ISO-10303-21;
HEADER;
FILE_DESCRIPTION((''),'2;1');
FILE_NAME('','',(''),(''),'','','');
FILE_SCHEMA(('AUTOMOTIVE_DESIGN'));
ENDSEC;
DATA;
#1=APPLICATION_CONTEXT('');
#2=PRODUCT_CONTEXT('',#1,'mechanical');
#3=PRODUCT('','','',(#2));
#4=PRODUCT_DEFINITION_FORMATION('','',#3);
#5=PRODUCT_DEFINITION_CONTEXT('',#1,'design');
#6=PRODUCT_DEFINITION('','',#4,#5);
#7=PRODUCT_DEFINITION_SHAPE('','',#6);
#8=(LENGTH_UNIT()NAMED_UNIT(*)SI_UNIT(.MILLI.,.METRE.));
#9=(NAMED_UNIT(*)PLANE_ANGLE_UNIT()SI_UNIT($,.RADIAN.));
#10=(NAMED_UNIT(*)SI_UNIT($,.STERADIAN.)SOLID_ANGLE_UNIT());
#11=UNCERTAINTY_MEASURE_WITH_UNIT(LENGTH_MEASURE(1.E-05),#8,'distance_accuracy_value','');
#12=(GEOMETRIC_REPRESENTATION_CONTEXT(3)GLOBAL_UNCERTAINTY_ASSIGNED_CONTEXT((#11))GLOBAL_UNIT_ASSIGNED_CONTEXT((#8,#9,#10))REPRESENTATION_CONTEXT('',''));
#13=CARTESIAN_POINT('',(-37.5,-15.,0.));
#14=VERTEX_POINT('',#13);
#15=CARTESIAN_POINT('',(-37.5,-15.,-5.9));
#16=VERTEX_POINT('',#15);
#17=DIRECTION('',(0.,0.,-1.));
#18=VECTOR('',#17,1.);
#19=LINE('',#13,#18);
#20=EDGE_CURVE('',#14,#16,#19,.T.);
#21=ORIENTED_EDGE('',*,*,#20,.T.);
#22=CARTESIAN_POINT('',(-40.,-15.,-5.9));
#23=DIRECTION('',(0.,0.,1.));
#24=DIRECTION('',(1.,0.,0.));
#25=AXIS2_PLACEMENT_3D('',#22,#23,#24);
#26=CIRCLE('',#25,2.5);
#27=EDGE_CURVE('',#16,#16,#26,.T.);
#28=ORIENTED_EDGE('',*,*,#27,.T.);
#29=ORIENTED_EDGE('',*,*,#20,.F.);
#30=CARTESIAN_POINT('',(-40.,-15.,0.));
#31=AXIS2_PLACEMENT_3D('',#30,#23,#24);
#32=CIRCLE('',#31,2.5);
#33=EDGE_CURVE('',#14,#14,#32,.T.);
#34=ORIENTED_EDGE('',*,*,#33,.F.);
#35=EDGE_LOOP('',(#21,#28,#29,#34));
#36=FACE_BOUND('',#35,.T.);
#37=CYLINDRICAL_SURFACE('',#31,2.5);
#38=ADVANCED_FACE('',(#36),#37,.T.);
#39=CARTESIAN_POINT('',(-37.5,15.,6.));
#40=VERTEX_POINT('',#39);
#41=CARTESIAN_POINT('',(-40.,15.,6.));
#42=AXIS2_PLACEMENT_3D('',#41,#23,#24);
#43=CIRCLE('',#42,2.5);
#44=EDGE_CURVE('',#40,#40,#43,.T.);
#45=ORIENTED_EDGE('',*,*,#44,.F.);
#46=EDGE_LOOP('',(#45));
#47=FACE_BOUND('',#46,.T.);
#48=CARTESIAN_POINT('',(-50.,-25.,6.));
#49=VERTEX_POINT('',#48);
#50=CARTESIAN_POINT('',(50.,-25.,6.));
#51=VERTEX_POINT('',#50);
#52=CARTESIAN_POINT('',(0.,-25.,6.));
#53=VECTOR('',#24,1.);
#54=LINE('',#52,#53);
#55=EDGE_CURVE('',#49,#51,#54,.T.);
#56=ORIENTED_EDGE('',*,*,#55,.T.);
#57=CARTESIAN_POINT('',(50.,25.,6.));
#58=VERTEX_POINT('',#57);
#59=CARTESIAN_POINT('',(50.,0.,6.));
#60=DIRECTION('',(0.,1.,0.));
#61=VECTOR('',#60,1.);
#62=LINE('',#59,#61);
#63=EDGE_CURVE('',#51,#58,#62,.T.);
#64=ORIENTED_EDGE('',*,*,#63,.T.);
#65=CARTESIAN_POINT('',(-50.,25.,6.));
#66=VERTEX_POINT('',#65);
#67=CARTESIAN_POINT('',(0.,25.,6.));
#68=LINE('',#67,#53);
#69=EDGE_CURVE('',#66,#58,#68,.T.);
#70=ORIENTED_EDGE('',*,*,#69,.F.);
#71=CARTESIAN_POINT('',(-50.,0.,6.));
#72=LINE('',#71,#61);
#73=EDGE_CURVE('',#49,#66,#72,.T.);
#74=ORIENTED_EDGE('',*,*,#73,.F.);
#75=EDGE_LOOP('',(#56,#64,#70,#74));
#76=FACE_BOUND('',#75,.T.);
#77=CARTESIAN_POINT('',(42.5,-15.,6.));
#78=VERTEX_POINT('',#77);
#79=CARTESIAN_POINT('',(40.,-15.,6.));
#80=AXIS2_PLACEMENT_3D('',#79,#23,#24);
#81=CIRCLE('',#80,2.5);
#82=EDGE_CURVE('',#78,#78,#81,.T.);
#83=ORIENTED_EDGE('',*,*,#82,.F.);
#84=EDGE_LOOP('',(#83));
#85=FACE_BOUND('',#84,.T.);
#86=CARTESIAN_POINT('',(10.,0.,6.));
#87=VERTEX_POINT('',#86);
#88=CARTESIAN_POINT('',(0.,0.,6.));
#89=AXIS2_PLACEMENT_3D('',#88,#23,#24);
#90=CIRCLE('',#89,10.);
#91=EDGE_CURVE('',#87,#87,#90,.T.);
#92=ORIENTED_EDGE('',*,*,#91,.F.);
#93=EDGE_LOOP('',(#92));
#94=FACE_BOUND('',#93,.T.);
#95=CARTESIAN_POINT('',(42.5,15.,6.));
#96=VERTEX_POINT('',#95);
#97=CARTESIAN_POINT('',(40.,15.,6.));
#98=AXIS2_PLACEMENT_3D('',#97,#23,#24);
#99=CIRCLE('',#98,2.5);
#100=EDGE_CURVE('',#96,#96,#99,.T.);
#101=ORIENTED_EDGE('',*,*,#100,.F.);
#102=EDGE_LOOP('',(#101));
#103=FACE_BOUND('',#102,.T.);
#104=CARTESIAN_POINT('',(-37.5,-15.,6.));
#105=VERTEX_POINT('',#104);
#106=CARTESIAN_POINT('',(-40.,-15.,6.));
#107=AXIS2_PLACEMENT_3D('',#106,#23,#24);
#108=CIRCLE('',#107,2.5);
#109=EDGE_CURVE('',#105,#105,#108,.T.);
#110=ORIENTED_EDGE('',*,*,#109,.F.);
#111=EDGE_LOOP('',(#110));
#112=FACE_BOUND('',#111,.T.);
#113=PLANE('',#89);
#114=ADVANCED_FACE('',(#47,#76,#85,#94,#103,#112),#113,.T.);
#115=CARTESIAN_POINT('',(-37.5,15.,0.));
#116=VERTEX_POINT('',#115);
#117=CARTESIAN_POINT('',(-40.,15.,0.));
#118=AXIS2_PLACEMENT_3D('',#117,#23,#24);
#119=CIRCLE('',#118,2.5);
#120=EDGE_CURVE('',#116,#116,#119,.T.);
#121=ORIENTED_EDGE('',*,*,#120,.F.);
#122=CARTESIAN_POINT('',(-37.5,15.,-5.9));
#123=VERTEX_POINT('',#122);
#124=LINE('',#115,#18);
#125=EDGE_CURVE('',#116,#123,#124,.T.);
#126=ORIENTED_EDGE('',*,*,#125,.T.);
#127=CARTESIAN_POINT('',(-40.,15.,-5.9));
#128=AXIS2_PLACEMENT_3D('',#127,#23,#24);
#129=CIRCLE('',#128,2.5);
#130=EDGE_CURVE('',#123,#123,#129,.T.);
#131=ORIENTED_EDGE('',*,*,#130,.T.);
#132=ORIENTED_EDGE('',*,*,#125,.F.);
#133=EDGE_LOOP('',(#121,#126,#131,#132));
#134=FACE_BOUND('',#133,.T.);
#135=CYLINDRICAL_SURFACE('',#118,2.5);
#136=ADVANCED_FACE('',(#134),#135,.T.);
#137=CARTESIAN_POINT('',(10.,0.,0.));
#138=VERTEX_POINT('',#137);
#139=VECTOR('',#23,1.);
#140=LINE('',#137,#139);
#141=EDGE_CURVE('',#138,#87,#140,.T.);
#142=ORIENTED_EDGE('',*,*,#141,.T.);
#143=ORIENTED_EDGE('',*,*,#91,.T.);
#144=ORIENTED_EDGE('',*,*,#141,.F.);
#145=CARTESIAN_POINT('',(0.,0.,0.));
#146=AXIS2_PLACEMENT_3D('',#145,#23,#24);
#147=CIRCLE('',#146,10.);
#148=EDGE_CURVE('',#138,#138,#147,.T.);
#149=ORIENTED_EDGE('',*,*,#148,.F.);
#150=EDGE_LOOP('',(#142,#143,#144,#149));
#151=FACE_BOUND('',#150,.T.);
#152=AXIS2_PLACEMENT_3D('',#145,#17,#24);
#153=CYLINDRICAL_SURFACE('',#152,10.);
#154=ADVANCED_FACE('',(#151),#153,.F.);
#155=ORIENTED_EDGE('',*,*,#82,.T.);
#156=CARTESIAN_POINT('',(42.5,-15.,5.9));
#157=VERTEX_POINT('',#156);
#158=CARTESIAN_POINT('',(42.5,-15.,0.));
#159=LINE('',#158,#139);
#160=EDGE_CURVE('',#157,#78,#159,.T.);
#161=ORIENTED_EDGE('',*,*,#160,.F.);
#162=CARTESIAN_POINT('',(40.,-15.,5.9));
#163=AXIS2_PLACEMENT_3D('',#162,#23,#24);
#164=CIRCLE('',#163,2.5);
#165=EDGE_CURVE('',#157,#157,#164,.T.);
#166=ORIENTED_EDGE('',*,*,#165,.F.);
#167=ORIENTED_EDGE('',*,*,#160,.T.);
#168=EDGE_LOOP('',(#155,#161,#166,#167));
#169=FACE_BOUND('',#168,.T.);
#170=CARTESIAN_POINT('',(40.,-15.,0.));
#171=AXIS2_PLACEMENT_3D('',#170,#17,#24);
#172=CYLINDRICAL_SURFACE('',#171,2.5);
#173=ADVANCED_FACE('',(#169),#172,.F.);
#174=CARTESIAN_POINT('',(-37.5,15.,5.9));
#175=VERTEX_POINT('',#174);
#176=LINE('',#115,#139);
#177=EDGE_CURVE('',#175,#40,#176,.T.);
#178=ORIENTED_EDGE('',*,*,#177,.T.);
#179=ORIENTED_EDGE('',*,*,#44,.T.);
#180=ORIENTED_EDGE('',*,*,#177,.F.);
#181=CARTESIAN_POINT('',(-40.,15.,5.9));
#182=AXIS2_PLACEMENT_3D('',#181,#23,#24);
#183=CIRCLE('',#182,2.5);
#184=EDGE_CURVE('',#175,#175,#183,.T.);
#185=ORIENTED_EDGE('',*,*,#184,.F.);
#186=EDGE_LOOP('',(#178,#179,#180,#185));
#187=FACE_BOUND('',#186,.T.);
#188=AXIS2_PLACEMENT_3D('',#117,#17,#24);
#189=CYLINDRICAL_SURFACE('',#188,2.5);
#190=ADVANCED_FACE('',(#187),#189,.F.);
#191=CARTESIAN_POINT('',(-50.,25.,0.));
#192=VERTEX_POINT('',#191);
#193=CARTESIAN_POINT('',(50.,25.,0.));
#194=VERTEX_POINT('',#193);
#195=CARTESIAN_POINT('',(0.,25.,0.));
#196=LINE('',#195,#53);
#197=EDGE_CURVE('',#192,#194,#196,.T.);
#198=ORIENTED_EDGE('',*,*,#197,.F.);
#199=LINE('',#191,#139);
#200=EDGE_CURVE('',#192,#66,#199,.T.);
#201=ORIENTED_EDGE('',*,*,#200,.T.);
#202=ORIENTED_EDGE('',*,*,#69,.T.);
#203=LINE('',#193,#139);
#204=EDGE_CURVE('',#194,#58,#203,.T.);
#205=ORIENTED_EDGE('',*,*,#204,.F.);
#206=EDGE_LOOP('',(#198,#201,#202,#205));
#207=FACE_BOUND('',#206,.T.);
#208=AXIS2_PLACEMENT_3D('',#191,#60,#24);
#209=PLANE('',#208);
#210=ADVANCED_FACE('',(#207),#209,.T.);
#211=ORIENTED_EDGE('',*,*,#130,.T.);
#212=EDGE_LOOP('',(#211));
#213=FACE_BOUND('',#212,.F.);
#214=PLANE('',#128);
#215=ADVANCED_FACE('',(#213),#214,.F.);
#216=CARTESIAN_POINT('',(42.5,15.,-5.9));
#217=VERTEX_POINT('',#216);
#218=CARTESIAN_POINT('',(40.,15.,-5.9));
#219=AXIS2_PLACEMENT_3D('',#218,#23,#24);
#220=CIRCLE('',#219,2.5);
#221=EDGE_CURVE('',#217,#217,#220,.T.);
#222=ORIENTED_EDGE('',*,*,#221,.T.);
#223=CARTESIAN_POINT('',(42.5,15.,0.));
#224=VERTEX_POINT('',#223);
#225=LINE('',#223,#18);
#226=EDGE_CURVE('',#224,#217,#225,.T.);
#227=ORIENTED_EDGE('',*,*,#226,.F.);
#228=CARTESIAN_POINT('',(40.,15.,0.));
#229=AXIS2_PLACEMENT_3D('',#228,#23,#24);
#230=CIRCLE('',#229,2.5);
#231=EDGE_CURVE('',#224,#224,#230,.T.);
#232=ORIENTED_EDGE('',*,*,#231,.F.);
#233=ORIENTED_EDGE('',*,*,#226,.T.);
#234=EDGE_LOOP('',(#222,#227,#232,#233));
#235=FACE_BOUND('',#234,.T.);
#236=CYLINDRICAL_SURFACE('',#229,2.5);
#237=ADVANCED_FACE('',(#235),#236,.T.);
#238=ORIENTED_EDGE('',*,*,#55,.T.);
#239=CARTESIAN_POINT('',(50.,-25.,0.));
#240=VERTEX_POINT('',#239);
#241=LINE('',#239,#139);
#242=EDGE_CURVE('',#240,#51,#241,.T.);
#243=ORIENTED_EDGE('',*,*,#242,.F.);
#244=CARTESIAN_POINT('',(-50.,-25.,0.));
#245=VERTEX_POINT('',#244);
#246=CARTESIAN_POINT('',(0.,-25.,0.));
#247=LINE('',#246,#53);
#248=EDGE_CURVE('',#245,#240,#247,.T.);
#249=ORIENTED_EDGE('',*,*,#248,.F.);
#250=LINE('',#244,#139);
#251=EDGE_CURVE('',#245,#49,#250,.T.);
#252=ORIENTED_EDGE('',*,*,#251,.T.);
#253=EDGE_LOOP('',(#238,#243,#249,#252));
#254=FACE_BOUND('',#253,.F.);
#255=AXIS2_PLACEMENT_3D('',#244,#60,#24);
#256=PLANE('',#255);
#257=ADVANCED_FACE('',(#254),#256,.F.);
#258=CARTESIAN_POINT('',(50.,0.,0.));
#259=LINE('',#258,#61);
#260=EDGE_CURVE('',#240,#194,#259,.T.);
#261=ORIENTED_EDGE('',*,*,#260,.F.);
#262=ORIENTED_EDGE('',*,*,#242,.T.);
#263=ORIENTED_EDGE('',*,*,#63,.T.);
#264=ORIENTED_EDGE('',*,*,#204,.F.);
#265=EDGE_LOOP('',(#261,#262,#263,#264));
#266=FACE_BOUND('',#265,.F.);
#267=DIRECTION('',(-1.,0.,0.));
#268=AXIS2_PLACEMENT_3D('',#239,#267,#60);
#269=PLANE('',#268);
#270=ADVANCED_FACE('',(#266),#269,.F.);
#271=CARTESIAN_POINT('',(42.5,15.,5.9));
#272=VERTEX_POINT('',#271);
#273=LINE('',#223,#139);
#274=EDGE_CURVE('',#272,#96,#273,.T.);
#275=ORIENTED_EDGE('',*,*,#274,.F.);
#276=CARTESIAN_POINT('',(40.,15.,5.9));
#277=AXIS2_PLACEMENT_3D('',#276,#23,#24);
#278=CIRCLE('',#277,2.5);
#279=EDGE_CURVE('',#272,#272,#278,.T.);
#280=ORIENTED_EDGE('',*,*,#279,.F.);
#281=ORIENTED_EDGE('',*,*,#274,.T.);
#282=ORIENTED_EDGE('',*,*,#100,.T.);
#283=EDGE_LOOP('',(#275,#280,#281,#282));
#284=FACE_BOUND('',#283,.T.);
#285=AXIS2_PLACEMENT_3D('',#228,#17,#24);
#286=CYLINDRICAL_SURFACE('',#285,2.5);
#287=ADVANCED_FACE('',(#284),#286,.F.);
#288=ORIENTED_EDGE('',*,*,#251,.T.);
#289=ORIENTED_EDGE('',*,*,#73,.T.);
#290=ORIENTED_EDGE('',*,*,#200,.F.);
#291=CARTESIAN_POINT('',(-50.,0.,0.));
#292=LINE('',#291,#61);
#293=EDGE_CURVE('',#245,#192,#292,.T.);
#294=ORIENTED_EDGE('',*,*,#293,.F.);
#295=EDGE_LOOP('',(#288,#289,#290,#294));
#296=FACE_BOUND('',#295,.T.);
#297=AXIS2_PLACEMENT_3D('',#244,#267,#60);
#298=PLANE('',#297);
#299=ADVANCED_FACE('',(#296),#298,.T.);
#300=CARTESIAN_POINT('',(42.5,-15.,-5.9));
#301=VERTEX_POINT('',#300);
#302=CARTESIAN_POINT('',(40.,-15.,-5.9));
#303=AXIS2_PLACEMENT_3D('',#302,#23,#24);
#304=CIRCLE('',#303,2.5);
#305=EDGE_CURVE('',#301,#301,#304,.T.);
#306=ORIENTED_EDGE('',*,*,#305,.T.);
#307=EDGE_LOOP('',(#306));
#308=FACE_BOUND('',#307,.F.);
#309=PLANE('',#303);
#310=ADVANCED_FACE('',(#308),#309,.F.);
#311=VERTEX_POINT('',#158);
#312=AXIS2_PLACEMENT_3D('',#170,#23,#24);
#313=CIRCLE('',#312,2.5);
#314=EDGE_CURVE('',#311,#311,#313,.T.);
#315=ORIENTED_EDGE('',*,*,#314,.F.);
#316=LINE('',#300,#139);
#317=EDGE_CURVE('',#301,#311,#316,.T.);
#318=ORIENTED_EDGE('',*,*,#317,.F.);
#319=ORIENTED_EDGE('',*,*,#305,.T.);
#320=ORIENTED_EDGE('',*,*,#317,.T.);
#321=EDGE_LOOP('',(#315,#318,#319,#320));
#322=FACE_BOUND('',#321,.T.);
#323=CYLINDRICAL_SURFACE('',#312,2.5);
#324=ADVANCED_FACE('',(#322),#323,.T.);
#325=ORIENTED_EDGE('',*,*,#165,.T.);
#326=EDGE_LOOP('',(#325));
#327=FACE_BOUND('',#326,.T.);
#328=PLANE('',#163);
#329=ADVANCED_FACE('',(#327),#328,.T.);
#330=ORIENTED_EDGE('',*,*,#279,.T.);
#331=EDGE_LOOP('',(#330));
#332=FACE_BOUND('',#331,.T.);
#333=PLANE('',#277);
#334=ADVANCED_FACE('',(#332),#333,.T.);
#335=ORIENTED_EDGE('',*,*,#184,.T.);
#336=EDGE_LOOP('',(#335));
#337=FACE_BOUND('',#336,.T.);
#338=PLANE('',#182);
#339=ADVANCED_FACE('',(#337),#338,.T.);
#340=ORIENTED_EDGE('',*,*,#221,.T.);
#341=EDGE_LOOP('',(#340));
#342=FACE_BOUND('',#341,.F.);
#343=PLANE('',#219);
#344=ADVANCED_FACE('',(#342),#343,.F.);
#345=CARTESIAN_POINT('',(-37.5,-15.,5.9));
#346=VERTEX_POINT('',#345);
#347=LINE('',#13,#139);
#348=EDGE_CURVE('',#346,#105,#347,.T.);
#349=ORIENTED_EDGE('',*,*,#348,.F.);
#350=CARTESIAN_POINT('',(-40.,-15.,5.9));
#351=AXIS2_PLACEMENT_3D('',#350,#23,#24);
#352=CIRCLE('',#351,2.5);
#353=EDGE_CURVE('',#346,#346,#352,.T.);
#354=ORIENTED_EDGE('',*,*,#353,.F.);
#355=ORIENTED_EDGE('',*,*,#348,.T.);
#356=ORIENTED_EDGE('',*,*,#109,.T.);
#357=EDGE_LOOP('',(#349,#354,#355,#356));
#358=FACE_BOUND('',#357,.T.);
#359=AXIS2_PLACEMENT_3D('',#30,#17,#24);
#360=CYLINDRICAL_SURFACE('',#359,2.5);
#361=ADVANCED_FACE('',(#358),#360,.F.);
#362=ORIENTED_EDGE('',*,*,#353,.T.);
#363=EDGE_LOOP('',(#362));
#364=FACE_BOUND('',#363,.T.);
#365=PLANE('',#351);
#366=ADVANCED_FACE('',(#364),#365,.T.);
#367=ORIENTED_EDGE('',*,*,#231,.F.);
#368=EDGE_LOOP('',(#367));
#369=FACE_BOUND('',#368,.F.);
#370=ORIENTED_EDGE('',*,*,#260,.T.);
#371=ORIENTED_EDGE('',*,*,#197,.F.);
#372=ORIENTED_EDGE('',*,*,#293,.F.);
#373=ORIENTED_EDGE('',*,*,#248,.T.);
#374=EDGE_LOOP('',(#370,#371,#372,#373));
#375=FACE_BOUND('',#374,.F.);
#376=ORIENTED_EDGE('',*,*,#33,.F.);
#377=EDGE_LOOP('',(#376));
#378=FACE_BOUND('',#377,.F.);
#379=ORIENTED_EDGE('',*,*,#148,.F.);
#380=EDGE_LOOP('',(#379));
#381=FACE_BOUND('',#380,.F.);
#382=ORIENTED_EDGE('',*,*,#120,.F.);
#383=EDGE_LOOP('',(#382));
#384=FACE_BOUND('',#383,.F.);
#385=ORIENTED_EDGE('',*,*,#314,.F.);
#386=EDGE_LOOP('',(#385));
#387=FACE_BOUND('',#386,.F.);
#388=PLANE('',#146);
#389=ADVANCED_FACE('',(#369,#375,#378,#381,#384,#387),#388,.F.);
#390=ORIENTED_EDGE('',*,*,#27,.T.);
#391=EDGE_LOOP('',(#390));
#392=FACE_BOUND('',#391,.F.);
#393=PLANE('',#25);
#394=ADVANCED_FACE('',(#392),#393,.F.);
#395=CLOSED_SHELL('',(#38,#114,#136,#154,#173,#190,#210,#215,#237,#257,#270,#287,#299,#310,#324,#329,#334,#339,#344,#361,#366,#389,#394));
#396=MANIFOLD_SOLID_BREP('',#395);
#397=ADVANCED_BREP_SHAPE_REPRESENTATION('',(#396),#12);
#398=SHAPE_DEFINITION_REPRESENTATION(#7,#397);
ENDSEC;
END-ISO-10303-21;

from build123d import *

# Parameters (mm, degrees)
F0_W     = 100
F0_H     = 50
F0_R     = 10
F0_W_2   = 10
F0_H_2   = 10
F0_R_2   = 2.5
F1_DEPTH = 6
F2_DEPTH = 5.9


with BuildPart() as f1:
    # F0 (on Top) → F1 (new body)
    with BuildSketch(Plane.XY):
        Rectangle(F0_W, F0_H)
        Polygon((-35, -20), (-45, -20), (-45, -10), (-45, 10), (-45, 20), (-35, 20), (35, 20), (45, 20), (45, 10), (45, -10), (45, -20), (35, -20), align=None, mode=Mode.SUBTRACT)
        Polygon((-35, -10), (-35, -20), (35, -20), (35, -10), (45, -10), (45, 10), (35, 10), (35, 20), (-35, 20), (-35, 10), (-45, 10), (-45, -10), align=None)
        Circle(F0_R, mode=Mode.SUBTRACT)
        with Locations((-40, -15)):
            Rectangle(F0_W_2, F0_H_2)
        with Locations((-40, -15)):
            Circle(F0_R_2, mode=Mode.SUBTRACT)
        with Locations((-40, 15)):
            Rectangle(F0_W_2, F0_H_2)
        with Locations((-40, 15)):
            Circle(F0_R_2, mode=Mode.SUBTRACT)
        with Locations((40, -15)):
            Rectangle(F0_W_2, F0_H_2)
        with Locations((40, -15)):
            Circle(F0_R_2, mode=Mode.SUBTRACT)
        with Locations((40, 15)):
            Rectangle(F0_W_2, F0_H_2)
        with Locations((40, 15)):
            Circle(F0_R_2, mode=Mode.SUBTRACT)
    extrude(amount=F1_DEPTH)

    # F0 (on Top) → F2 (join, symmetric)
    with BuildSketch(Plane.XY):
        with Locations((-40, -15)):
            Circle(F0_R_2)
        with Locations((40, 15)):
            Circle(F0_R_2)
        with Locations((-40, 15)):
            Circle(F0_R_2)
        with Locations((40, -15)):
            Circle(F0_R_2)
    extrude(amount=F2_DEPTH, both=True)


solid = f1.part
